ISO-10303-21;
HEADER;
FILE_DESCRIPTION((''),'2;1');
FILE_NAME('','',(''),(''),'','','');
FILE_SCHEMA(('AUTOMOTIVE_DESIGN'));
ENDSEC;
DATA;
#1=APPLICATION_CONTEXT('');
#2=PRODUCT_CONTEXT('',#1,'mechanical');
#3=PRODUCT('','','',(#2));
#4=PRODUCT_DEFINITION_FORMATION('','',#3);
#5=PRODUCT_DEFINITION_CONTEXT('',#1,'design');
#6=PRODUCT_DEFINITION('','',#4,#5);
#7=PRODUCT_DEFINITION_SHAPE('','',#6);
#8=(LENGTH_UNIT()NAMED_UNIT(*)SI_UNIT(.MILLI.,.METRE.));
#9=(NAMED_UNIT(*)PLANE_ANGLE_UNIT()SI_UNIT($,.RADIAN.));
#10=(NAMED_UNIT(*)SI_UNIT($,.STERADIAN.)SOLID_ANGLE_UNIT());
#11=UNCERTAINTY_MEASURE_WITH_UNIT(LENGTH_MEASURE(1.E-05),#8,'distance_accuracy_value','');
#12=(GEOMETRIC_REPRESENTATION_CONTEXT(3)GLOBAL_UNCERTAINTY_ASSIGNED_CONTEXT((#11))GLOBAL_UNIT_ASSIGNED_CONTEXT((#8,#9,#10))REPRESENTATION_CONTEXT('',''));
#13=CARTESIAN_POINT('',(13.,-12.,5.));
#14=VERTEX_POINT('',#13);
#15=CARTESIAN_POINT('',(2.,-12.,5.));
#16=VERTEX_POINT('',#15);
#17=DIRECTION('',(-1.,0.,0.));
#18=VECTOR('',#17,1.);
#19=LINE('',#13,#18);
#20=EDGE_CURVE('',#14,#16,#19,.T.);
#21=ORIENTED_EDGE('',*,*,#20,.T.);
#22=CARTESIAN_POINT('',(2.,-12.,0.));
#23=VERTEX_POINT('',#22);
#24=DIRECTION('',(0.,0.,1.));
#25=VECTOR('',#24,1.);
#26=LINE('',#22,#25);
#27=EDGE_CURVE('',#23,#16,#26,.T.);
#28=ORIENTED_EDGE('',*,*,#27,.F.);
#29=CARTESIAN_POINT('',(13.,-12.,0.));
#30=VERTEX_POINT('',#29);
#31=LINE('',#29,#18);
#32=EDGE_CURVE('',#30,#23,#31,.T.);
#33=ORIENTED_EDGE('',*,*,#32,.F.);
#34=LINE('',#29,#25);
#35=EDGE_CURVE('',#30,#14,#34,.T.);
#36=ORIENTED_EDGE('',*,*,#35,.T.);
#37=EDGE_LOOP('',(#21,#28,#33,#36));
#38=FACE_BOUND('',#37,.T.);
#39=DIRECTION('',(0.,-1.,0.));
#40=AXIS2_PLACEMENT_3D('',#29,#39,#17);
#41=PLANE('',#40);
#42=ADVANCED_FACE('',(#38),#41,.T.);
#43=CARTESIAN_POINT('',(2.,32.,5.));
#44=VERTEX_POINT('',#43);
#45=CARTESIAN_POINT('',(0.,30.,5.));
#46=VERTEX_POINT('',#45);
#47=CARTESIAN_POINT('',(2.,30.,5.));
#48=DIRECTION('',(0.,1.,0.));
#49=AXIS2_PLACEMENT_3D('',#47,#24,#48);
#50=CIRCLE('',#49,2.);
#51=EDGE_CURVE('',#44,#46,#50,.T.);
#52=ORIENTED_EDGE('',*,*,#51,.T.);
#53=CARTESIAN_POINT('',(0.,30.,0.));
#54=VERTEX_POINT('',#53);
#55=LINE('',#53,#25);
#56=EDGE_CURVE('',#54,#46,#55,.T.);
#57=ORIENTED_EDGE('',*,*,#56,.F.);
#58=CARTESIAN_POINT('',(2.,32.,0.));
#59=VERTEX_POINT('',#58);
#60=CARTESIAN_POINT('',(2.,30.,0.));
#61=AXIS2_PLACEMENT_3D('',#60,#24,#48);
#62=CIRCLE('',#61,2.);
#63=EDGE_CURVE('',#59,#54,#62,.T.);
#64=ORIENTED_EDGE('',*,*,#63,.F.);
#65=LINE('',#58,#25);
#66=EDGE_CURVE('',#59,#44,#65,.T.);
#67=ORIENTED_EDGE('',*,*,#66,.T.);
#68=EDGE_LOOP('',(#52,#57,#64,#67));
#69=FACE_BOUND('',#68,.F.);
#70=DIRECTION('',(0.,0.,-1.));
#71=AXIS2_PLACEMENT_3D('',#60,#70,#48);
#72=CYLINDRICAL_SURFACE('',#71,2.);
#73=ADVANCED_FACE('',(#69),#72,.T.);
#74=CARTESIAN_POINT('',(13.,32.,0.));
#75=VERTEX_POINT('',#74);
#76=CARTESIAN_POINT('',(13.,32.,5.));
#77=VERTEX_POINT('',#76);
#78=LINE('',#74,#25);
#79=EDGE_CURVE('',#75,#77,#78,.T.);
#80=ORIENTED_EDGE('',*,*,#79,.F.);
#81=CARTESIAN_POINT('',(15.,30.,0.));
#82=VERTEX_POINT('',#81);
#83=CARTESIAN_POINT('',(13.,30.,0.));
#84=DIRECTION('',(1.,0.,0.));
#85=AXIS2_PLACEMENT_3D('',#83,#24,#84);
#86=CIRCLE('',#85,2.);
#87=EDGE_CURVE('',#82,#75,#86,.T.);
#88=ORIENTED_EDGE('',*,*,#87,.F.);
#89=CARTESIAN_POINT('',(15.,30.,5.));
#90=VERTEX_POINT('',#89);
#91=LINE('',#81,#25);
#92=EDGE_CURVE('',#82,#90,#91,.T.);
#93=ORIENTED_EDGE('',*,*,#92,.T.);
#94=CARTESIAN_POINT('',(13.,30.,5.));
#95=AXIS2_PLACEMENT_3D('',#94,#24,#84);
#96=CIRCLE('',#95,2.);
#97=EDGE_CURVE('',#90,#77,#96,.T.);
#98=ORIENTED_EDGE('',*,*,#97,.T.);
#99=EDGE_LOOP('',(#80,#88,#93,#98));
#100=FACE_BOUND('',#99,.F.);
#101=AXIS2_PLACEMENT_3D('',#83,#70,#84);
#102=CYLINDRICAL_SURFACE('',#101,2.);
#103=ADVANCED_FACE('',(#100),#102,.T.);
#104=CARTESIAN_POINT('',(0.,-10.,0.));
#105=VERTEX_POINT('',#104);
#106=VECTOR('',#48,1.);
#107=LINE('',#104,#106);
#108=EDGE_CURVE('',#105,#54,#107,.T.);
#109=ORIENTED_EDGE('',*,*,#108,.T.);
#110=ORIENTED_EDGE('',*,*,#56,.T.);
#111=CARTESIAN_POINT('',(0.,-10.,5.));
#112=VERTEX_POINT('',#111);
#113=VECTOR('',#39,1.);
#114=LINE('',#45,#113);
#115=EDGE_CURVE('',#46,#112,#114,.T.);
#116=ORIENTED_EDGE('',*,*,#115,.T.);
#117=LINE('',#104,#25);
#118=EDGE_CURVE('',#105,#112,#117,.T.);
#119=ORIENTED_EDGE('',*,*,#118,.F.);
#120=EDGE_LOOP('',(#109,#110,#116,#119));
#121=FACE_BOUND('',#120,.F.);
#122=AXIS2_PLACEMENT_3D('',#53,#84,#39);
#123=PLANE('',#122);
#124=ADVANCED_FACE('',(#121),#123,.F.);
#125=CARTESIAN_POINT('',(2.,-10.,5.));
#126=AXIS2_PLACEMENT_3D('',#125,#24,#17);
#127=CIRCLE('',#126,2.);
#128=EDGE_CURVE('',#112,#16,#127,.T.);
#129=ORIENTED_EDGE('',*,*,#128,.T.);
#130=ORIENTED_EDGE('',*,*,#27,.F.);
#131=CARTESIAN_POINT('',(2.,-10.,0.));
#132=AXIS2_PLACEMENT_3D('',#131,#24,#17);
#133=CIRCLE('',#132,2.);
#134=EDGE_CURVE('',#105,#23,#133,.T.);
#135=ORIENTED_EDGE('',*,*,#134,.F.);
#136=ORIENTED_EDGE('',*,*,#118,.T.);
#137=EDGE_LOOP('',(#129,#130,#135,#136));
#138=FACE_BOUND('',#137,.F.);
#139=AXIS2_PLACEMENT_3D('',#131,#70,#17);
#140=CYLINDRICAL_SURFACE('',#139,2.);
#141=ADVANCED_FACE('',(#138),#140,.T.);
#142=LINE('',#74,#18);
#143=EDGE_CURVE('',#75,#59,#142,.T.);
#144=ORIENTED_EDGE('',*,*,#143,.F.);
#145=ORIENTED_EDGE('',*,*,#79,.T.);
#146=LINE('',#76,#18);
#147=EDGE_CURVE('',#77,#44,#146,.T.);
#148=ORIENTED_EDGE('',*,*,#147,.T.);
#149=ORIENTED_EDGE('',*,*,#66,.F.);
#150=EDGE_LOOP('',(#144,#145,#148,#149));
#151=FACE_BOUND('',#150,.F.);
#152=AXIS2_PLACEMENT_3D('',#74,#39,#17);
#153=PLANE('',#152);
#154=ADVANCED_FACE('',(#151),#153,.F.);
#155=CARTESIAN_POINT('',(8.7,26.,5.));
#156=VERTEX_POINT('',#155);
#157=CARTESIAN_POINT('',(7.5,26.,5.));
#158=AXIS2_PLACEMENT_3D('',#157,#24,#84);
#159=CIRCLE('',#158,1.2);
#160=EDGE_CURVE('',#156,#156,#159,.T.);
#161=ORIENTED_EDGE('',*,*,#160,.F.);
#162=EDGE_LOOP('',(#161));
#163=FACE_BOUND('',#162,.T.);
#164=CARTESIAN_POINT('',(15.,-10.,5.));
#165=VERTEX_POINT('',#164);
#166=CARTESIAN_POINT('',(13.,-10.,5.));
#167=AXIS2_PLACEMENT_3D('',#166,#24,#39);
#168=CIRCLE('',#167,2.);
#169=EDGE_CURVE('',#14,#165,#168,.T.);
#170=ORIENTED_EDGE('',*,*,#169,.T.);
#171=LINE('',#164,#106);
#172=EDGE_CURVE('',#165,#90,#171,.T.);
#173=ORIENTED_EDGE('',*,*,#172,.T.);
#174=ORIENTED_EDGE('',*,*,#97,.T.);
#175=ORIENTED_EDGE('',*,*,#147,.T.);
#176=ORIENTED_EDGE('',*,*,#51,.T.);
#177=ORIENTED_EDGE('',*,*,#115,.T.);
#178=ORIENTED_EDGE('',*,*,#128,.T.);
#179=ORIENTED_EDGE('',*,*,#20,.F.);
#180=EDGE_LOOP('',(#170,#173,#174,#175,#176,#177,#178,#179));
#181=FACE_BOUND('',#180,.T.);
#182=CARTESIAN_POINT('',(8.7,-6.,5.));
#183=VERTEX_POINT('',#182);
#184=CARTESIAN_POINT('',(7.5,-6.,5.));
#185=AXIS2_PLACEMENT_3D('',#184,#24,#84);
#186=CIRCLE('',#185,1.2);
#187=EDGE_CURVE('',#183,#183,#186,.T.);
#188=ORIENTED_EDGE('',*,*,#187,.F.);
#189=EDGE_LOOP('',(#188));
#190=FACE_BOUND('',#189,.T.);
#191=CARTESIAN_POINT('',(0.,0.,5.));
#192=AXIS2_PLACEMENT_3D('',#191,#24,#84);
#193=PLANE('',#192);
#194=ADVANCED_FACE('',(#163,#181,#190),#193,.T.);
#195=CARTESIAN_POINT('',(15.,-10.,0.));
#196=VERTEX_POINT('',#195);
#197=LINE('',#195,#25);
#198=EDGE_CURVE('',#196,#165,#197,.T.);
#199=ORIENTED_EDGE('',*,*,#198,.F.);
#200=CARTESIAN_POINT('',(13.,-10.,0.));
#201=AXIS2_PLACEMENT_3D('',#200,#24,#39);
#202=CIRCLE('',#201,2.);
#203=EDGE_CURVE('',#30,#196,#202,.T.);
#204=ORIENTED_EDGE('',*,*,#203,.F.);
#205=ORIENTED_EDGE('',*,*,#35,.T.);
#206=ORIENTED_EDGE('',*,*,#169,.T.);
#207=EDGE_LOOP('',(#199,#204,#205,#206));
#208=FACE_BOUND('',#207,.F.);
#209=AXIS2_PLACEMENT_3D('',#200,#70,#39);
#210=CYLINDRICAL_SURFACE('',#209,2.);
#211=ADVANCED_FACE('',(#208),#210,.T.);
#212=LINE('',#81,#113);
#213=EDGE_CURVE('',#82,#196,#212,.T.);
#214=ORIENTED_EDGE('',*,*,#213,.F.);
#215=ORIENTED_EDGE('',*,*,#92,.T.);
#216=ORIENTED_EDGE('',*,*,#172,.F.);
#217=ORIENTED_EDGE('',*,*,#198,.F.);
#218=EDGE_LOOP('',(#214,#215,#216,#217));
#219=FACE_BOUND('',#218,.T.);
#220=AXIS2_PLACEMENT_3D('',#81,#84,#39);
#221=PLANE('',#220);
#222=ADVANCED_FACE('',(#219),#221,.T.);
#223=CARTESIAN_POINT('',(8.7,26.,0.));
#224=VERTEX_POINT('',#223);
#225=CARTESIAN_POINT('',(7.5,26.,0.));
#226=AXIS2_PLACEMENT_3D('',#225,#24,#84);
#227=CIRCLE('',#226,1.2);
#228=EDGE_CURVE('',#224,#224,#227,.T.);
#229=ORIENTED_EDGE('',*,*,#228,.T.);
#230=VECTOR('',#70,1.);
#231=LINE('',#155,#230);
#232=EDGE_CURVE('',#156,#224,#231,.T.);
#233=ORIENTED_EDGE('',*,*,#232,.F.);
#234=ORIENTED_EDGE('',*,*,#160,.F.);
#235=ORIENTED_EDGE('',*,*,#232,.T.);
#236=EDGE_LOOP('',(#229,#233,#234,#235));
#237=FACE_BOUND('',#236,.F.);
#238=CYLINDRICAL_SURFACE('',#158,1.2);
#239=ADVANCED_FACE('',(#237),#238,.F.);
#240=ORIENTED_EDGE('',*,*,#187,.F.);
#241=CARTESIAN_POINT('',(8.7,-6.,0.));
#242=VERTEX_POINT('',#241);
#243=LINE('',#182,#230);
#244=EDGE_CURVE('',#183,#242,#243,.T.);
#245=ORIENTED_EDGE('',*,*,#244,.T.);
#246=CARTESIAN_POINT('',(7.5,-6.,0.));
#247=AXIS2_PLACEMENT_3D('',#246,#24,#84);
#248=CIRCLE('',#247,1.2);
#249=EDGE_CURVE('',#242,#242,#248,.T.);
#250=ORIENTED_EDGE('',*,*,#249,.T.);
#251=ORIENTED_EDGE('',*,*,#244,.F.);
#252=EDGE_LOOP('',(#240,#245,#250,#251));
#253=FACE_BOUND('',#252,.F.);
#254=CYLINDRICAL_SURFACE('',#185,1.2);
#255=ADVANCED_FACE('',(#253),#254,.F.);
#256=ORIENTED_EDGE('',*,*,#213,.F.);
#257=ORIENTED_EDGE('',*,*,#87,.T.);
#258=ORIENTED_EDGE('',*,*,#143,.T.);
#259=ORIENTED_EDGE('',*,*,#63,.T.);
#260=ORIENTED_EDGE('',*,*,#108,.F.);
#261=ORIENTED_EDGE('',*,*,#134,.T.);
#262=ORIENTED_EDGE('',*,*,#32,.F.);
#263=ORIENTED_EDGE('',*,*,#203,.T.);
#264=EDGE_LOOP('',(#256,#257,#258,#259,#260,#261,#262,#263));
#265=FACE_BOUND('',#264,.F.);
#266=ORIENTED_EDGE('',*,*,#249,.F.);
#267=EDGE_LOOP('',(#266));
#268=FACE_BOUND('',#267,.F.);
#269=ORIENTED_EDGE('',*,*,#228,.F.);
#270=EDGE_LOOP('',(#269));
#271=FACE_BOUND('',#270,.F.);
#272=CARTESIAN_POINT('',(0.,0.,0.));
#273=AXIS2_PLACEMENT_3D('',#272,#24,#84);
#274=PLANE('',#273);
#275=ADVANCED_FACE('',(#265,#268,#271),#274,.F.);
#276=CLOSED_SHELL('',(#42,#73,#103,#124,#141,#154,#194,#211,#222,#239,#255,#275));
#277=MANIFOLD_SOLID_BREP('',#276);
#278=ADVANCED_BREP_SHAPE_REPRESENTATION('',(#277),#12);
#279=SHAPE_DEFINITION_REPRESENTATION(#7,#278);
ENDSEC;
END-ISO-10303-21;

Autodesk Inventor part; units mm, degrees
ref_plane "YZ Plane" through (0, 0, 0) normal (1, 0, 0) x (0, 1, 0)
ref_plane "XZ Plane" through (0, 0, 0) normal (0, 1, 0) x (-1, 0, 0)
ref_plane "XY Plane" through (0, 0, 0) normal (0, 0, 1) x (1, 0, 0)
sketch "Sketch1" plane through (0, 0, 0) normal (0, 0, 1) x (1, 0, 0)
  arc A0 (2, 32) -> (0, 30) centre (2, 30) ccw
  line L0 (0, 30) -> (0, 20)
  line L1 (15, 20) -> (0, 20)
  line L2 (15, 30) -> (15, 20)
  arc A1 (15, 30) -> (13, 32) centre (13, 30) ccw
  line L3 (13, 32) -> (2, 32)
  arc A2 (0, -10) -> (2, -12) centre (2, -10) ccw
  line L4 (13, -12) -> (2, -12)
  arc A3 (13, -12) -> (15, -10) centre (13, -10) ccw
  line L5 (15, -10) -> (15, 0)
  line L6 (15, 0) -> (0, 0)
  line L7 (0, -10) -> (0, 0)
  line L8 (15, 20) -> (15, 0)
  line L9 (0, 20) -> (0, 0)
  point P0 (15, 24)
extrude "Extrusion1" add sketch "Sketch1" along normal blind 5
sketch "Sketch2" plane through (0, 0, 5) normal (0, 0, 1) x (1, 0, 0)
  circle A0 centre (7.5, -6) radius 1.2
  line L0 (15, -10) -> (15, 30) projected
  circle A1 centre (7.5, 26) radius 1.2
  point P0 (0, 0)
  dimension "d2" = 2.4
  dimension "d3" = 7.5
  dimension "d4" = 2.4
extrude "Extrusion2" cut sketch "Sketch2" against normal up to surface (5 mm away)
properties part number "ramie 03-3"
